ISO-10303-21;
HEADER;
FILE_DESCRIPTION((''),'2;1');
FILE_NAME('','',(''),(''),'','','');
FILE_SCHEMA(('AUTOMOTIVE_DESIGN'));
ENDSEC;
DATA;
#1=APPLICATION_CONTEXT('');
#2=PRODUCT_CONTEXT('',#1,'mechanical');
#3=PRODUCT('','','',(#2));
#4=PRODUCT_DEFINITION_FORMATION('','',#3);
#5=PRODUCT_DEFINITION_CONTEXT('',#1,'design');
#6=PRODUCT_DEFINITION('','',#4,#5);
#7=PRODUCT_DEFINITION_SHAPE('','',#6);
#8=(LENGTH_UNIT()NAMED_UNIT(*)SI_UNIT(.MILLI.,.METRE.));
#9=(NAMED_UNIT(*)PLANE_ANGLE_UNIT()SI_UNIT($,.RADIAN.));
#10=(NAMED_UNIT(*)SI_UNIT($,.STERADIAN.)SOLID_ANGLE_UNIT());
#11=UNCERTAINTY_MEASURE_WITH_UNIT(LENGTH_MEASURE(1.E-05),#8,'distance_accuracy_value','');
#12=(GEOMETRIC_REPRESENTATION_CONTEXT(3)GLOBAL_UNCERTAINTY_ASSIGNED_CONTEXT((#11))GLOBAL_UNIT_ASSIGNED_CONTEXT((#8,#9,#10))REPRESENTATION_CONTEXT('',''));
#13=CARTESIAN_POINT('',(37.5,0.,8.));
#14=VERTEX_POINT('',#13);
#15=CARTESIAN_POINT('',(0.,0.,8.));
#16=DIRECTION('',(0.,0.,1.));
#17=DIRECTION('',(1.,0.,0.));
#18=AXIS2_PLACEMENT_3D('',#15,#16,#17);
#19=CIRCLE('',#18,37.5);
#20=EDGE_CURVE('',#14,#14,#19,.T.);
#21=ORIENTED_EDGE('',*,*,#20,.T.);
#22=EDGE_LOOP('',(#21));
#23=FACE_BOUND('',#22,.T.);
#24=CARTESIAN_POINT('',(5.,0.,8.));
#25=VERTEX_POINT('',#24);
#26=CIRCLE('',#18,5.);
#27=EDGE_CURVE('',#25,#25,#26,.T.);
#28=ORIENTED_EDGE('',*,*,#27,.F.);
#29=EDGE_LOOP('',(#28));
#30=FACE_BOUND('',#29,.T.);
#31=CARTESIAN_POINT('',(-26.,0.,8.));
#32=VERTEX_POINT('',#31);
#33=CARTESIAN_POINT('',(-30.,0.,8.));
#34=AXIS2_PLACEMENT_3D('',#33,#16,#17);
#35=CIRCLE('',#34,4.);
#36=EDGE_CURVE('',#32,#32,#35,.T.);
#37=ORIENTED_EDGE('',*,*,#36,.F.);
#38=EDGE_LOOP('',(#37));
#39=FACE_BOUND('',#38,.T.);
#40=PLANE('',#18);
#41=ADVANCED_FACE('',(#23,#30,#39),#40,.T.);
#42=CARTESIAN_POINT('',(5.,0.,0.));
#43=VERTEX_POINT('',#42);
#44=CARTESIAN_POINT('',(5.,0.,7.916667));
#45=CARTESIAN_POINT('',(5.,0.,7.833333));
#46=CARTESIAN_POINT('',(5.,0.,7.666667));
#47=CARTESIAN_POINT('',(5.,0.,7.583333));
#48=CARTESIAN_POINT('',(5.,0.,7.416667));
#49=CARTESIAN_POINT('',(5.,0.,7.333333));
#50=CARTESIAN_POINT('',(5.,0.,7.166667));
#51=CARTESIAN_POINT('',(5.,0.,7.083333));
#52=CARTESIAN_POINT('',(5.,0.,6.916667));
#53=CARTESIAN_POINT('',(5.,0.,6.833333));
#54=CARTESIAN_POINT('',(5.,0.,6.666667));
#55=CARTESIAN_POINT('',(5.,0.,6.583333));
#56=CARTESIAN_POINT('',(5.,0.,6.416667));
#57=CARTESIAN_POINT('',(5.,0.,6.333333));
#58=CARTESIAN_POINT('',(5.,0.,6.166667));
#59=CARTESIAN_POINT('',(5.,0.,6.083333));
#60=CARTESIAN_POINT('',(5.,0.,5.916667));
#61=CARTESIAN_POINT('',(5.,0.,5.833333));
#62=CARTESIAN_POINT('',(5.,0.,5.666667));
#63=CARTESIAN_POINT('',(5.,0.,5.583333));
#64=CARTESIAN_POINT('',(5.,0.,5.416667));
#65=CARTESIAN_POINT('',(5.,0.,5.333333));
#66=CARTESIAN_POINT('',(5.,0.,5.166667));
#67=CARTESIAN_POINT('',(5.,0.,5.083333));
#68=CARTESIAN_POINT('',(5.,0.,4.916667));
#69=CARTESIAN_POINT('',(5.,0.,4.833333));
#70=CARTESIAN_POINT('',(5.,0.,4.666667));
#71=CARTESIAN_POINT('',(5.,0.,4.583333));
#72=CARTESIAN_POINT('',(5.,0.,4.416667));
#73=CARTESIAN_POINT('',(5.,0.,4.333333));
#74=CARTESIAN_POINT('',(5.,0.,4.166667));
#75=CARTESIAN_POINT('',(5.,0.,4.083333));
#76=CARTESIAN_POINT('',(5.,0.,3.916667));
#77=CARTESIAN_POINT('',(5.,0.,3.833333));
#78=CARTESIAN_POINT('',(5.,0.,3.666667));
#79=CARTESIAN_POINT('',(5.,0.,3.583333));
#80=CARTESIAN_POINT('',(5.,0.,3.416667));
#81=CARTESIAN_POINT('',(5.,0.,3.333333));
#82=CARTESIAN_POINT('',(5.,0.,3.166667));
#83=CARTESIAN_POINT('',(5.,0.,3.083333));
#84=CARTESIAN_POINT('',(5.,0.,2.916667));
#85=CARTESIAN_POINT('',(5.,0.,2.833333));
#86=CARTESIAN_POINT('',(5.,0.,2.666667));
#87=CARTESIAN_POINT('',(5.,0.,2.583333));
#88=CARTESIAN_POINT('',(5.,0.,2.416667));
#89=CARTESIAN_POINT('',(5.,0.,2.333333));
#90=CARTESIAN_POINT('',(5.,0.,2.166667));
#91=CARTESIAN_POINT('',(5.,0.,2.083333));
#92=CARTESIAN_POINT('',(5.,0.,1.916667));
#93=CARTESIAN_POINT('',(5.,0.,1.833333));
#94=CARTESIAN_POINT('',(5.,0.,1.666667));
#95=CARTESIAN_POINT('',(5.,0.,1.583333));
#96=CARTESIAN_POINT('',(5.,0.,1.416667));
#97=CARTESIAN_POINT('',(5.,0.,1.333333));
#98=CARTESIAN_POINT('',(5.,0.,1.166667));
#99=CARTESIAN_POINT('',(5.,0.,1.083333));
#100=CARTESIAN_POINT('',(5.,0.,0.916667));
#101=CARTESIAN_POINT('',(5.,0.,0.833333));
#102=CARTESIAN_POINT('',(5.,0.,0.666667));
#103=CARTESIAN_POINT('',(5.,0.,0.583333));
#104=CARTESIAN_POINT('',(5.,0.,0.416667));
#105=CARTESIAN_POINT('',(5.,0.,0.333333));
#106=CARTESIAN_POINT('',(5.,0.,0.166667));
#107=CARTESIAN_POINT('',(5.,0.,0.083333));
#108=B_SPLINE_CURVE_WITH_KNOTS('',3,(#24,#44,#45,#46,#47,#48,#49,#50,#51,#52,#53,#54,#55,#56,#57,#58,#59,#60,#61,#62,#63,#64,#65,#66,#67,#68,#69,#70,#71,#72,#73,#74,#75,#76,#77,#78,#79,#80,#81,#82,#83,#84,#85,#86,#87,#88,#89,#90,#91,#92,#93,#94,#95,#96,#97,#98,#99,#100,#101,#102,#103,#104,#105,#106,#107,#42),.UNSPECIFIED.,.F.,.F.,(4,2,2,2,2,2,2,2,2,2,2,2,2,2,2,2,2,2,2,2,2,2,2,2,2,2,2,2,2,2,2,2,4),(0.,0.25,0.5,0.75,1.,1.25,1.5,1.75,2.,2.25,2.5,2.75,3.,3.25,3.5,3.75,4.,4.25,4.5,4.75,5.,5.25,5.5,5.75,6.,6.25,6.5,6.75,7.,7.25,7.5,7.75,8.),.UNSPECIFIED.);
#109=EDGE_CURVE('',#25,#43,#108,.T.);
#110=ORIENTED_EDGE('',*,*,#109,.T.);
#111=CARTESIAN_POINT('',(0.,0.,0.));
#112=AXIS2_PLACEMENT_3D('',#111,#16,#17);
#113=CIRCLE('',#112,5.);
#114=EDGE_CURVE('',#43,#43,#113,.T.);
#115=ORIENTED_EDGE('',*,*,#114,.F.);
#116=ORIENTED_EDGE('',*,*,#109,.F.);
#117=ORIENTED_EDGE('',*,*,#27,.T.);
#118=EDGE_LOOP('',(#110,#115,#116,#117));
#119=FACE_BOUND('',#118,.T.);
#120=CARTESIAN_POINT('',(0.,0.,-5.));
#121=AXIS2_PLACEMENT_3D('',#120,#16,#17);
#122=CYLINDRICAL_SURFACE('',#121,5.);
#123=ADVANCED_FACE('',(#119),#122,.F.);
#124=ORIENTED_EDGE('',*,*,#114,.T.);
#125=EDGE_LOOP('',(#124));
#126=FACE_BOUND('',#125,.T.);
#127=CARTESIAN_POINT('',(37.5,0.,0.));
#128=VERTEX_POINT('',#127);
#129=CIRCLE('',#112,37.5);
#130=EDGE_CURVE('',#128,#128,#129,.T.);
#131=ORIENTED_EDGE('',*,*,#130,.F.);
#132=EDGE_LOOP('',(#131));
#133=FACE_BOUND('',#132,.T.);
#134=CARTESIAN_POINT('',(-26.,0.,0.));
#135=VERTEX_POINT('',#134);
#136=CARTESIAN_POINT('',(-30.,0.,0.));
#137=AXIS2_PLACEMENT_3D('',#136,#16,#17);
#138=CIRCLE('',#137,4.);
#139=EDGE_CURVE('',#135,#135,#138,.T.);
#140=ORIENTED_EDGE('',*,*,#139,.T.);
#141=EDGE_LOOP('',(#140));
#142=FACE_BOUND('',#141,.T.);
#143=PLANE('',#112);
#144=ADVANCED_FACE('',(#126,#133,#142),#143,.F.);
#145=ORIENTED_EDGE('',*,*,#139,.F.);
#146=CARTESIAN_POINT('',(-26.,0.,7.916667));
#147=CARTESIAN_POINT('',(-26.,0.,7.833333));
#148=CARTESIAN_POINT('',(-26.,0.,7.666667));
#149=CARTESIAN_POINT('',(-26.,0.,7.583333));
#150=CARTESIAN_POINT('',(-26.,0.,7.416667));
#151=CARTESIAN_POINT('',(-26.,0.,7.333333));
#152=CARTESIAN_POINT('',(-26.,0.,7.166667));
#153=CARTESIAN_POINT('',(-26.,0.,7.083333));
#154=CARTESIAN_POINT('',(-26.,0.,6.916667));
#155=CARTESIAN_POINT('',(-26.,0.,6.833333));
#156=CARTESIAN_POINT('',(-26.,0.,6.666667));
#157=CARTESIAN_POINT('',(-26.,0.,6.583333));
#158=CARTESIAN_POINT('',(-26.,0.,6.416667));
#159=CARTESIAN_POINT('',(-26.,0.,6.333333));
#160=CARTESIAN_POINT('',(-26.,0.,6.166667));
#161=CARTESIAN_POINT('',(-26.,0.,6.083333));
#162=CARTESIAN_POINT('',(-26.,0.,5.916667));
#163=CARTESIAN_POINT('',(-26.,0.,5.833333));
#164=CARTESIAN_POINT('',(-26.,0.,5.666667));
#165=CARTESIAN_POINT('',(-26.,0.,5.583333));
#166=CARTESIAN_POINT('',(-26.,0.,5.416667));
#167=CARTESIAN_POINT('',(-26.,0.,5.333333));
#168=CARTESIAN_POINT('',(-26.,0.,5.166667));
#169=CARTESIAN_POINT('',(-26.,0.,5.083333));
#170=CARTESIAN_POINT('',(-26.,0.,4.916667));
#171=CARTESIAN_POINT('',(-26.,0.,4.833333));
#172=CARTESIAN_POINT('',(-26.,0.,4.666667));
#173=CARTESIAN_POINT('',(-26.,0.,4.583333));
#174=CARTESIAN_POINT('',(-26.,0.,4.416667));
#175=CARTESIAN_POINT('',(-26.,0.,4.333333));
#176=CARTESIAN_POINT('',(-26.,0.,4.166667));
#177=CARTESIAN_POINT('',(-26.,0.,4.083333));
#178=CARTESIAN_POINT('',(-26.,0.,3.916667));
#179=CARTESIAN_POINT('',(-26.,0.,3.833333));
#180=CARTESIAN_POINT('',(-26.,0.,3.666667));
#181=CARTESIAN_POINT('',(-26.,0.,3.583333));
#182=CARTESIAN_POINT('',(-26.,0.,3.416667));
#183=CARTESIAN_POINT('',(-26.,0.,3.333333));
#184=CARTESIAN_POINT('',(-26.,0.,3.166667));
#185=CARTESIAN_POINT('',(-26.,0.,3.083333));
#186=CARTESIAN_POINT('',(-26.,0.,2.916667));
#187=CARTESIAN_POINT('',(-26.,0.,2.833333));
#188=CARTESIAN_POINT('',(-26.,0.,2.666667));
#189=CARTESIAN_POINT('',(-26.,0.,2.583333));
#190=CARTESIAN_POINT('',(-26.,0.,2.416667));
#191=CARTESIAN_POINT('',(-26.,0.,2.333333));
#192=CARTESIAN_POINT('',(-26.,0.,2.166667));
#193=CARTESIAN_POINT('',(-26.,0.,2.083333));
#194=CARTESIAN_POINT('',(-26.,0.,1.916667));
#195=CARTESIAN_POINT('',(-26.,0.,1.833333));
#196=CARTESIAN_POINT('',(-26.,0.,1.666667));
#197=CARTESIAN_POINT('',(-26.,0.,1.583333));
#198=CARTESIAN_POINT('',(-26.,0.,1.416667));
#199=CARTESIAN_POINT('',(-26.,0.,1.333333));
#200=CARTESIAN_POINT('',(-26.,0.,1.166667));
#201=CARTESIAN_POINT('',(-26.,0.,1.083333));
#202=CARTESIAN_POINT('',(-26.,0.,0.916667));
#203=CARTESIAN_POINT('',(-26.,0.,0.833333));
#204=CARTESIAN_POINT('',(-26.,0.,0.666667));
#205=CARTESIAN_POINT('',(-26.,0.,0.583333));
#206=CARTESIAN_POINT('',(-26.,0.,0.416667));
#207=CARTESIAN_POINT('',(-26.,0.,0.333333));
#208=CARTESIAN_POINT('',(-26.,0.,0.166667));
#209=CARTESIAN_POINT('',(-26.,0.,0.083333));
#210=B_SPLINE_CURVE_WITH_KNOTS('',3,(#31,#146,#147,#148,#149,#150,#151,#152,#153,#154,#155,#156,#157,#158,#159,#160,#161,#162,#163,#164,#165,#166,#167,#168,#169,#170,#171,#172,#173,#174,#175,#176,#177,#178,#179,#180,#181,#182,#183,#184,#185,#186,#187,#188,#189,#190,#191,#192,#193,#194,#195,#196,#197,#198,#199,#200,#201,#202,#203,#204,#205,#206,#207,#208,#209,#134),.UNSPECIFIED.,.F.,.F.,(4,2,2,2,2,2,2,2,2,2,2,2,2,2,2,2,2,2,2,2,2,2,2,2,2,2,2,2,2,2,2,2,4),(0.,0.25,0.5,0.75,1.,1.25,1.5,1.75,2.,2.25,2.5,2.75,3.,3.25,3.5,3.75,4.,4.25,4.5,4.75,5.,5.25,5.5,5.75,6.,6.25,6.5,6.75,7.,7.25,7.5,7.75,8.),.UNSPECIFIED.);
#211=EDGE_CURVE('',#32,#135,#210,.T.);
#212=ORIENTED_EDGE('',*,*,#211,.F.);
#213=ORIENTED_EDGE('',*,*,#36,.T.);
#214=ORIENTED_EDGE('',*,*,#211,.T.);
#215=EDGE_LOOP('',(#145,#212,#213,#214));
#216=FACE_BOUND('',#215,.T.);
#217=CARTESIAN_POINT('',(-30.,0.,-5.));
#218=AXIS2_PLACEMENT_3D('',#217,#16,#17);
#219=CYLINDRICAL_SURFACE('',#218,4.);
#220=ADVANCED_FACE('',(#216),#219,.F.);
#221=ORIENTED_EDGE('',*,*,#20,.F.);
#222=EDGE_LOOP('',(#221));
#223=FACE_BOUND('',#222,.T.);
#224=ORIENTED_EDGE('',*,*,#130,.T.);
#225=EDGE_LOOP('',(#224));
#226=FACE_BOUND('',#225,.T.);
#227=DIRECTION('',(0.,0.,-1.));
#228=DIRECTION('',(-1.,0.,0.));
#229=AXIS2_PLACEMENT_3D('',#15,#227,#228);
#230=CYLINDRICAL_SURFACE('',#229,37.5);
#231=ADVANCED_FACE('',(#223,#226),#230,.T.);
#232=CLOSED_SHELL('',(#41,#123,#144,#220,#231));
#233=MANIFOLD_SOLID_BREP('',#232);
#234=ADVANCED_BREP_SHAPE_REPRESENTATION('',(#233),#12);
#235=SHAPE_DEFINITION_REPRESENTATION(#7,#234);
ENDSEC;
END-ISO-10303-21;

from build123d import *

# Parameters (mm, degrees)
SKETCH_1_R          = 37.5
EXTRUDE_1_DEPTH     = 8
SKETCH_2_R          = 4
CUT_EXTRUDE_1_DEPTH = 13
SKETCH_3_R          = 5
CUT_EXTRUDE_2_DEPTH = 13


with BuildPart() as part:
    # 草图1 → 凸台-拉伸1 (new body)
    with BuildSketch(Plane.XY):
        Circle(SKETCH_1_R)
    extrude(amount=EXTRUDE_1_DEPTH)

    # 草图2 → 切除-拉伸1 (cut)
    with BuildSketch(Plane.XY.offset(8)):
        with Locations((-30, 0)):
            Circle(SKETCH_2_R)
    extrude(amount=-CUT_EXTRUDE_1_DEPTH, mode=Mode.SUBTRACT)

    # 草图3 → 切除-拉伸2 (cut)
    with BuildSketch(Plane.XY.offset(8)):
        Circle(SKETCH_3_R)
    extrude(amount=-CUT_EXTRUDE_2_DEPTH, mode=Mode.SUBTRACT)


solid = part.part
